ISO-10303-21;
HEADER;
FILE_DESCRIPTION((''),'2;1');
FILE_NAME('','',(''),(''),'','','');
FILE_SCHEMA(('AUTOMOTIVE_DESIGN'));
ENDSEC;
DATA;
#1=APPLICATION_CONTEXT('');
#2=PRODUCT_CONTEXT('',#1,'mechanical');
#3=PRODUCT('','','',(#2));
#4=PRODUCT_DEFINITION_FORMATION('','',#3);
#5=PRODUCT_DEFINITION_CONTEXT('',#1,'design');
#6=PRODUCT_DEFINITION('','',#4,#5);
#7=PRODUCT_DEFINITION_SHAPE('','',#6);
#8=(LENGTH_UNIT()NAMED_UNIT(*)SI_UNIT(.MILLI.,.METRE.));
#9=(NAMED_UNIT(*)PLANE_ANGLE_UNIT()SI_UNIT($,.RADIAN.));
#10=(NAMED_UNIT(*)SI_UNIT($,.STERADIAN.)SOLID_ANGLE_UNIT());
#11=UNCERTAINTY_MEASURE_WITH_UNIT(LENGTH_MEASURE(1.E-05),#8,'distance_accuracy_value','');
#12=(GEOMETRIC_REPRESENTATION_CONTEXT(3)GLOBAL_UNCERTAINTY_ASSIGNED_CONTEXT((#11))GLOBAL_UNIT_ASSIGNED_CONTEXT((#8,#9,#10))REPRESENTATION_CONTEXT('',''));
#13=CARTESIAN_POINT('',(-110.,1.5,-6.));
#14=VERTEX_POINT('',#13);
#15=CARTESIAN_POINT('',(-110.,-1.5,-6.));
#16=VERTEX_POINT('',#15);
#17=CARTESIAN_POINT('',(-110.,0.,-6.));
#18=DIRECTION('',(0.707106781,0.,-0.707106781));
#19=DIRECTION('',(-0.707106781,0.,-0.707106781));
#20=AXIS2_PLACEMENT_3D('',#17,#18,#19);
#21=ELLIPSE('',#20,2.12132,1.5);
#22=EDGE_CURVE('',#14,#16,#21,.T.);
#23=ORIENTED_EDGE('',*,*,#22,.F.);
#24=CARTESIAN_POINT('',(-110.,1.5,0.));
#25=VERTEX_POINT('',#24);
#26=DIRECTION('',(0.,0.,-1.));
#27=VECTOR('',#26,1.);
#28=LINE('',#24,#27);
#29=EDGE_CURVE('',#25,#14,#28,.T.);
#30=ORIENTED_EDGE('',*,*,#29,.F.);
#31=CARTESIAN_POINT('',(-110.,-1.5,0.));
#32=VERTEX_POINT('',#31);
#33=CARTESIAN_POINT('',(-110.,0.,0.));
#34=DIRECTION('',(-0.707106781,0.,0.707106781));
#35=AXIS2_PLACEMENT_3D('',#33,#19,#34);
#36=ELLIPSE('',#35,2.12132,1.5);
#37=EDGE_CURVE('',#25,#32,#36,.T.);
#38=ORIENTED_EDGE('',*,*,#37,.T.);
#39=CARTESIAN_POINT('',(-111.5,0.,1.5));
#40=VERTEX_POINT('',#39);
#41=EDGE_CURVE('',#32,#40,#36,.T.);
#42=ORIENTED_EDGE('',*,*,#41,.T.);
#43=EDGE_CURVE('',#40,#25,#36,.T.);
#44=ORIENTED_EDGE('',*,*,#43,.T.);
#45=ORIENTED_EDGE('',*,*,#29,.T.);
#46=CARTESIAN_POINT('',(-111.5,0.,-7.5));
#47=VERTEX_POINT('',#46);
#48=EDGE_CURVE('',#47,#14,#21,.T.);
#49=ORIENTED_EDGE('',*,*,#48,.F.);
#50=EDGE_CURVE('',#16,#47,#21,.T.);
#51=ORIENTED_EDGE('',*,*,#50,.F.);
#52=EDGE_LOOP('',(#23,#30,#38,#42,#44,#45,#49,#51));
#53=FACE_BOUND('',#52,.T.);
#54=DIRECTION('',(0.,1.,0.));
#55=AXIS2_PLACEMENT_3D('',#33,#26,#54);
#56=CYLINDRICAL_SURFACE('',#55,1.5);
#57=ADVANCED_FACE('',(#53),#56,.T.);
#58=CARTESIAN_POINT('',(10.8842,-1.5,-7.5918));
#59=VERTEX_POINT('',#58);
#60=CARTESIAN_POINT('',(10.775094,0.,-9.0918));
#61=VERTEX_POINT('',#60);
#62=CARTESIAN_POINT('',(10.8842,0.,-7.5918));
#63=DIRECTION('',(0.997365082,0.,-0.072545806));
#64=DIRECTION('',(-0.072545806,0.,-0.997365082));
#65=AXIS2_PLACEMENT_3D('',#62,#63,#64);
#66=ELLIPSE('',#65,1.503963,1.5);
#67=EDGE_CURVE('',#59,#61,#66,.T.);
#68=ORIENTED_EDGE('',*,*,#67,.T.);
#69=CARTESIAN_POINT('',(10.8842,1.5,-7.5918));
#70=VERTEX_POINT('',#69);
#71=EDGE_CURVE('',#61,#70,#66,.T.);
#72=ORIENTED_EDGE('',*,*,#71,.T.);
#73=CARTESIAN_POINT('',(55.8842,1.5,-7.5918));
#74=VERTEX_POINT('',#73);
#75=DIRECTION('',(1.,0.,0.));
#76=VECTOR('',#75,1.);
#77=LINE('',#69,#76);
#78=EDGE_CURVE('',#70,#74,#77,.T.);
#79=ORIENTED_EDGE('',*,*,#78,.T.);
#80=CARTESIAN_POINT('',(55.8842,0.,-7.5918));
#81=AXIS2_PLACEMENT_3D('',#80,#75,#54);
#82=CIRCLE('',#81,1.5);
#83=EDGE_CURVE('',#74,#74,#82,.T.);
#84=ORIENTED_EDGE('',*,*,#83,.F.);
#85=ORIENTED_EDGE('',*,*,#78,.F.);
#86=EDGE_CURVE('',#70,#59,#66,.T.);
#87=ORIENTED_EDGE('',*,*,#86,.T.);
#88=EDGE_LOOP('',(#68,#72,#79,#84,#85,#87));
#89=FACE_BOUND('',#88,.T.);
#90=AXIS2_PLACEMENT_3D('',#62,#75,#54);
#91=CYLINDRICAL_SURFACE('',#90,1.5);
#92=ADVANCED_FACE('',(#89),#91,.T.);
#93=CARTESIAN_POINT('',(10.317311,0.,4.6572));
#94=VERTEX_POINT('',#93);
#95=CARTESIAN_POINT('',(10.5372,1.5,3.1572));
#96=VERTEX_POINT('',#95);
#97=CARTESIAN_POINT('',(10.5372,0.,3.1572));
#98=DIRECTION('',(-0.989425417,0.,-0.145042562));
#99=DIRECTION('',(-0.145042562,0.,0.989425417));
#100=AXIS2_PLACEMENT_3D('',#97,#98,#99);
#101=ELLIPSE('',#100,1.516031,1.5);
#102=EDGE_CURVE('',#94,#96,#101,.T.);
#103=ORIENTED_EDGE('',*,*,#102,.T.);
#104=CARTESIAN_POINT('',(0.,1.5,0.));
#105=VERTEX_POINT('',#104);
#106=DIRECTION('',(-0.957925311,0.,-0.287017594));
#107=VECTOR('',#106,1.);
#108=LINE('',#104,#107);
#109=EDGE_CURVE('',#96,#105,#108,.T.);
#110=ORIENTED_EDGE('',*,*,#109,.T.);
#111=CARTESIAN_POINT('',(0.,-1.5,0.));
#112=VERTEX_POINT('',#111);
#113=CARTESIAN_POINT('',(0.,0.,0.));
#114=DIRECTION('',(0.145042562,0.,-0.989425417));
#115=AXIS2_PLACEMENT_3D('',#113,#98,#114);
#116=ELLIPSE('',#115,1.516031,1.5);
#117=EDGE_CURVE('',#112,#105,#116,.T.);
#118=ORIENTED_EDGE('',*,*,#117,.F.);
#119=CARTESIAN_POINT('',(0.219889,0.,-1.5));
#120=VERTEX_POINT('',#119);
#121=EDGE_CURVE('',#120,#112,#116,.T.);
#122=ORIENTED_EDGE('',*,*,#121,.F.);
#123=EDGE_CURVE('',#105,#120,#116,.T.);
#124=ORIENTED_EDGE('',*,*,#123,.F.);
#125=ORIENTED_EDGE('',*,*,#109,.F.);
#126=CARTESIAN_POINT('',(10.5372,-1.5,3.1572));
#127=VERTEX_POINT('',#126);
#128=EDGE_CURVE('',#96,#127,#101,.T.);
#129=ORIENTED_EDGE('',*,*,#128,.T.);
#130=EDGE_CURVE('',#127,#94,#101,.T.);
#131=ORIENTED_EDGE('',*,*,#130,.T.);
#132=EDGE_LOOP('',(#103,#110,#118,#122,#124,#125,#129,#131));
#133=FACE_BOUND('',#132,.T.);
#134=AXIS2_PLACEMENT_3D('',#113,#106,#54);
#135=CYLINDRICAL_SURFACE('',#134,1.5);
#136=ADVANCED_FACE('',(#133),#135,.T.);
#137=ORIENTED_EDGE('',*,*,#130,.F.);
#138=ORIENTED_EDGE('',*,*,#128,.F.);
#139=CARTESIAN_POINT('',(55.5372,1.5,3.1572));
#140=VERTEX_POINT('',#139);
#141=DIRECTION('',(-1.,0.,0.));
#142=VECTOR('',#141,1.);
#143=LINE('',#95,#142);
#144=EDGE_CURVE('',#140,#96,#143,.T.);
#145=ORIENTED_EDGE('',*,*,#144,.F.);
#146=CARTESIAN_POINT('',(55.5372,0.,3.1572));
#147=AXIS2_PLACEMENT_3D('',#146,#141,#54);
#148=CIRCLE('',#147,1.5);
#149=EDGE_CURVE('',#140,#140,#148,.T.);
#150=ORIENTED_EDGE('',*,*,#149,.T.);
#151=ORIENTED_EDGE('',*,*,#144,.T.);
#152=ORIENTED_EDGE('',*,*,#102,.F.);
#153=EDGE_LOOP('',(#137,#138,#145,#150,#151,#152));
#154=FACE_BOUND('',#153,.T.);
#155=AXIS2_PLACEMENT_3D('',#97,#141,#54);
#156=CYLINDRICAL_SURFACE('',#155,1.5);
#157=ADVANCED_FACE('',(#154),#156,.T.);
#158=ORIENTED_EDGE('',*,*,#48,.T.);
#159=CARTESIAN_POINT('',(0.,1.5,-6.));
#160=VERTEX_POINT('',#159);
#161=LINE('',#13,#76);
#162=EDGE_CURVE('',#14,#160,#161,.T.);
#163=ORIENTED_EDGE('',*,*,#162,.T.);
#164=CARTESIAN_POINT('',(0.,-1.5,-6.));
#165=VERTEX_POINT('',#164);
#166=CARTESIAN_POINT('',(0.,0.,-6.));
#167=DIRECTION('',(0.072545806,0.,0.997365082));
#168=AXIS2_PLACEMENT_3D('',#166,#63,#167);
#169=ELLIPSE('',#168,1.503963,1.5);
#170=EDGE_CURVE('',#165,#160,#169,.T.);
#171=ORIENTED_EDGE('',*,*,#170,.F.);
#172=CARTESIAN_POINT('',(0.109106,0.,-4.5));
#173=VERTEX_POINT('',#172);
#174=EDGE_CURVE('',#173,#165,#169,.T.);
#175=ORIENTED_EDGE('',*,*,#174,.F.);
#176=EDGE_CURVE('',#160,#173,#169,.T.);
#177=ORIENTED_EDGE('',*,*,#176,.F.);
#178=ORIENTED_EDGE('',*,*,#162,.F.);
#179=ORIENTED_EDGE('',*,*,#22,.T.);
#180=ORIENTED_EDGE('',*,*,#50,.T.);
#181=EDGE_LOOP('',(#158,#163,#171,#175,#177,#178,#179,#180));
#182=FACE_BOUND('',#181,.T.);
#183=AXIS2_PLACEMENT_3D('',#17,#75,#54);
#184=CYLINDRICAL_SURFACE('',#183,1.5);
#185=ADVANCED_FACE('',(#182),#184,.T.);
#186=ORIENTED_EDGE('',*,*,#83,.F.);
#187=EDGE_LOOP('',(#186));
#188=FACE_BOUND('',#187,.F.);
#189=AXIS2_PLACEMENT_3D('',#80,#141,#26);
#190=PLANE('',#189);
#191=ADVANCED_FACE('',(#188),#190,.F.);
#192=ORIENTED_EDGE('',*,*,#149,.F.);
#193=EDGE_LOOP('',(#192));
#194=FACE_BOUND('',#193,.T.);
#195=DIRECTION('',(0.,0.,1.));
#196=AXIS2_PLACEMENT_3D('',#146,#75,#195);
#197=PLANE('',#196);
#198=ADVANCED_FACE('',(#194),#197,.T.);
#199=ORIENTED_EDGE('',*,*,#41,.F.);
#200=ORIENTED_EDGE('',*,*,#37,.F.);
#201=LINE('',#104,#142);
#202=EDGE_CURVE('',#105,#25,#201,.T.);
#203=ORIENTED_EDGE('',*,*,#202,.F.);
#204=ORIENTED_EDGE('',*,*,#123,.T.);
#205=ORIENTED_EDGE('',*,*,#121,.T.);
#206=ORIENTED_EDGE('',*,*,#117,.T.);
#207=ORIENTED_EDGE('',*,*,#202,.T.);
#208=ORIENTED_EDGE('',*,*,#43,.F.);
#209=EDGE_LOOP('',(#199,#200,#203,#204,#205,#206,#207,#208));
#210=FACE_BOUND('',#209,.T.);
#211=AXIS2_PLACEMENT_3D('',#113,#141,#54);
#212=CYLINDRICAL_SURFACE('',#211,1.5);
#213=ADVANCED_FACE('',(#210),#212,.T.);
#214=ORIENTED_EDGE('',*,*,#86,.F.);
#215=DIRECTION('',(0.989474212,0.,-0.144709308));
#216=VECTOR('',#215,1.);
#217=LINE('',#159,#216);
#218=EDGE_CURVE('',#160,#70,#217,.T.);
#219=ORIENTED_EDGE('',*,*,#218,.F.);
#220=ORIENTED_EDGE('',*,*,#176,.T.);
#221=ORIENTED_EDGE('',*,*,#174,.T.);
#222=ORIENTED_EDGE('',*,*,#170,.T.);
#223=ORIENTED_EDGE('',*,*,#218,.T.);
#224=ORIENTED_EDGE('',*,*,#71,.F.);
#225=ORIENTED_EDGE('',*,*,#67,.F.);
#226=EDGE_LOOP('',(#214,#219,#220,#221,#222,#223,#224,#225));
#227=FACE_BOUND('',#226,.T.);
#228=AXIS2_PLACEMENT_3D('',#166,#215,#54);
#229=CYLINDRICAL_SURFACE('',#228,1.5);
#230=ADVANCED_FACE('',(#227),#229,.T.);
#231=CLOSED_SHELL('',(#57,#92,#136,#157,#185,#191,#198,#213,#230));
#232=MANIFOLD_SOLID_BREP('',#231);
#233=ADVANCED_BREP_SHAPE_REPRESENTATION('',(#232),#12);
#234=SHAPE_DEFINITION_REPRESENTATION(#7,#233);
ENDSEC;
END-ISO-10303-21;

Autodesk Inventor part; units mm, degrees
ref_plane "YZ Plane" through (0, 0, 0) normal (1, 0, 0) x (0, 1, 0)
ref_plane "XZ Plane" through (0, 0, 0) normal (0, 1, 0) x (-1, 0, 0)
sketch "Sketch1" plane through (0, 0, 0) normal (0, 1, 0) x (-1, 0, 0)
  line L0 (0, 0) -> (110, 0)
  line L1 (110, 0) -> (110, -6)
  line L2 (110, -6) -> (0, -6)
  line L3 (0, -6) -> (-10.8842, -7.5918)
  line L4 (-10.8842, -7.5918) -> (-55.8842, -7.5918)
  line L5 (0, 0) -> (-10.5372, 3.1572)
  line L6 (-10.5372, 3.1572) -> (-55.5372, 3.1572)
  dimension "d0" = 110
  dimension "d1" = 6
  dimension "d2" = 110
  dimension "d3" = 11
  dimension "d4" = 45
  dimension "d5" = 11
  dimension "d6" = 45
  dimension "d10" = 25
ref_plane "Work Plane1" through (55.5372, 0, 3.1572) normal (1, 0, 0) x (0, 1, 0)
sketch "Sketch2" plane through (55.5372, 0, 3.1572) normal (1, 0, 0) x (0, 1, 0)
  circle A0 centre (0, 0) radius 1.5
  point P0 (0, -3.1572)
  dimension "d7" = 3
sweep "Sweep1" add profiles "Sketch2" path "Sketch1"
properties part number "Alambre"
